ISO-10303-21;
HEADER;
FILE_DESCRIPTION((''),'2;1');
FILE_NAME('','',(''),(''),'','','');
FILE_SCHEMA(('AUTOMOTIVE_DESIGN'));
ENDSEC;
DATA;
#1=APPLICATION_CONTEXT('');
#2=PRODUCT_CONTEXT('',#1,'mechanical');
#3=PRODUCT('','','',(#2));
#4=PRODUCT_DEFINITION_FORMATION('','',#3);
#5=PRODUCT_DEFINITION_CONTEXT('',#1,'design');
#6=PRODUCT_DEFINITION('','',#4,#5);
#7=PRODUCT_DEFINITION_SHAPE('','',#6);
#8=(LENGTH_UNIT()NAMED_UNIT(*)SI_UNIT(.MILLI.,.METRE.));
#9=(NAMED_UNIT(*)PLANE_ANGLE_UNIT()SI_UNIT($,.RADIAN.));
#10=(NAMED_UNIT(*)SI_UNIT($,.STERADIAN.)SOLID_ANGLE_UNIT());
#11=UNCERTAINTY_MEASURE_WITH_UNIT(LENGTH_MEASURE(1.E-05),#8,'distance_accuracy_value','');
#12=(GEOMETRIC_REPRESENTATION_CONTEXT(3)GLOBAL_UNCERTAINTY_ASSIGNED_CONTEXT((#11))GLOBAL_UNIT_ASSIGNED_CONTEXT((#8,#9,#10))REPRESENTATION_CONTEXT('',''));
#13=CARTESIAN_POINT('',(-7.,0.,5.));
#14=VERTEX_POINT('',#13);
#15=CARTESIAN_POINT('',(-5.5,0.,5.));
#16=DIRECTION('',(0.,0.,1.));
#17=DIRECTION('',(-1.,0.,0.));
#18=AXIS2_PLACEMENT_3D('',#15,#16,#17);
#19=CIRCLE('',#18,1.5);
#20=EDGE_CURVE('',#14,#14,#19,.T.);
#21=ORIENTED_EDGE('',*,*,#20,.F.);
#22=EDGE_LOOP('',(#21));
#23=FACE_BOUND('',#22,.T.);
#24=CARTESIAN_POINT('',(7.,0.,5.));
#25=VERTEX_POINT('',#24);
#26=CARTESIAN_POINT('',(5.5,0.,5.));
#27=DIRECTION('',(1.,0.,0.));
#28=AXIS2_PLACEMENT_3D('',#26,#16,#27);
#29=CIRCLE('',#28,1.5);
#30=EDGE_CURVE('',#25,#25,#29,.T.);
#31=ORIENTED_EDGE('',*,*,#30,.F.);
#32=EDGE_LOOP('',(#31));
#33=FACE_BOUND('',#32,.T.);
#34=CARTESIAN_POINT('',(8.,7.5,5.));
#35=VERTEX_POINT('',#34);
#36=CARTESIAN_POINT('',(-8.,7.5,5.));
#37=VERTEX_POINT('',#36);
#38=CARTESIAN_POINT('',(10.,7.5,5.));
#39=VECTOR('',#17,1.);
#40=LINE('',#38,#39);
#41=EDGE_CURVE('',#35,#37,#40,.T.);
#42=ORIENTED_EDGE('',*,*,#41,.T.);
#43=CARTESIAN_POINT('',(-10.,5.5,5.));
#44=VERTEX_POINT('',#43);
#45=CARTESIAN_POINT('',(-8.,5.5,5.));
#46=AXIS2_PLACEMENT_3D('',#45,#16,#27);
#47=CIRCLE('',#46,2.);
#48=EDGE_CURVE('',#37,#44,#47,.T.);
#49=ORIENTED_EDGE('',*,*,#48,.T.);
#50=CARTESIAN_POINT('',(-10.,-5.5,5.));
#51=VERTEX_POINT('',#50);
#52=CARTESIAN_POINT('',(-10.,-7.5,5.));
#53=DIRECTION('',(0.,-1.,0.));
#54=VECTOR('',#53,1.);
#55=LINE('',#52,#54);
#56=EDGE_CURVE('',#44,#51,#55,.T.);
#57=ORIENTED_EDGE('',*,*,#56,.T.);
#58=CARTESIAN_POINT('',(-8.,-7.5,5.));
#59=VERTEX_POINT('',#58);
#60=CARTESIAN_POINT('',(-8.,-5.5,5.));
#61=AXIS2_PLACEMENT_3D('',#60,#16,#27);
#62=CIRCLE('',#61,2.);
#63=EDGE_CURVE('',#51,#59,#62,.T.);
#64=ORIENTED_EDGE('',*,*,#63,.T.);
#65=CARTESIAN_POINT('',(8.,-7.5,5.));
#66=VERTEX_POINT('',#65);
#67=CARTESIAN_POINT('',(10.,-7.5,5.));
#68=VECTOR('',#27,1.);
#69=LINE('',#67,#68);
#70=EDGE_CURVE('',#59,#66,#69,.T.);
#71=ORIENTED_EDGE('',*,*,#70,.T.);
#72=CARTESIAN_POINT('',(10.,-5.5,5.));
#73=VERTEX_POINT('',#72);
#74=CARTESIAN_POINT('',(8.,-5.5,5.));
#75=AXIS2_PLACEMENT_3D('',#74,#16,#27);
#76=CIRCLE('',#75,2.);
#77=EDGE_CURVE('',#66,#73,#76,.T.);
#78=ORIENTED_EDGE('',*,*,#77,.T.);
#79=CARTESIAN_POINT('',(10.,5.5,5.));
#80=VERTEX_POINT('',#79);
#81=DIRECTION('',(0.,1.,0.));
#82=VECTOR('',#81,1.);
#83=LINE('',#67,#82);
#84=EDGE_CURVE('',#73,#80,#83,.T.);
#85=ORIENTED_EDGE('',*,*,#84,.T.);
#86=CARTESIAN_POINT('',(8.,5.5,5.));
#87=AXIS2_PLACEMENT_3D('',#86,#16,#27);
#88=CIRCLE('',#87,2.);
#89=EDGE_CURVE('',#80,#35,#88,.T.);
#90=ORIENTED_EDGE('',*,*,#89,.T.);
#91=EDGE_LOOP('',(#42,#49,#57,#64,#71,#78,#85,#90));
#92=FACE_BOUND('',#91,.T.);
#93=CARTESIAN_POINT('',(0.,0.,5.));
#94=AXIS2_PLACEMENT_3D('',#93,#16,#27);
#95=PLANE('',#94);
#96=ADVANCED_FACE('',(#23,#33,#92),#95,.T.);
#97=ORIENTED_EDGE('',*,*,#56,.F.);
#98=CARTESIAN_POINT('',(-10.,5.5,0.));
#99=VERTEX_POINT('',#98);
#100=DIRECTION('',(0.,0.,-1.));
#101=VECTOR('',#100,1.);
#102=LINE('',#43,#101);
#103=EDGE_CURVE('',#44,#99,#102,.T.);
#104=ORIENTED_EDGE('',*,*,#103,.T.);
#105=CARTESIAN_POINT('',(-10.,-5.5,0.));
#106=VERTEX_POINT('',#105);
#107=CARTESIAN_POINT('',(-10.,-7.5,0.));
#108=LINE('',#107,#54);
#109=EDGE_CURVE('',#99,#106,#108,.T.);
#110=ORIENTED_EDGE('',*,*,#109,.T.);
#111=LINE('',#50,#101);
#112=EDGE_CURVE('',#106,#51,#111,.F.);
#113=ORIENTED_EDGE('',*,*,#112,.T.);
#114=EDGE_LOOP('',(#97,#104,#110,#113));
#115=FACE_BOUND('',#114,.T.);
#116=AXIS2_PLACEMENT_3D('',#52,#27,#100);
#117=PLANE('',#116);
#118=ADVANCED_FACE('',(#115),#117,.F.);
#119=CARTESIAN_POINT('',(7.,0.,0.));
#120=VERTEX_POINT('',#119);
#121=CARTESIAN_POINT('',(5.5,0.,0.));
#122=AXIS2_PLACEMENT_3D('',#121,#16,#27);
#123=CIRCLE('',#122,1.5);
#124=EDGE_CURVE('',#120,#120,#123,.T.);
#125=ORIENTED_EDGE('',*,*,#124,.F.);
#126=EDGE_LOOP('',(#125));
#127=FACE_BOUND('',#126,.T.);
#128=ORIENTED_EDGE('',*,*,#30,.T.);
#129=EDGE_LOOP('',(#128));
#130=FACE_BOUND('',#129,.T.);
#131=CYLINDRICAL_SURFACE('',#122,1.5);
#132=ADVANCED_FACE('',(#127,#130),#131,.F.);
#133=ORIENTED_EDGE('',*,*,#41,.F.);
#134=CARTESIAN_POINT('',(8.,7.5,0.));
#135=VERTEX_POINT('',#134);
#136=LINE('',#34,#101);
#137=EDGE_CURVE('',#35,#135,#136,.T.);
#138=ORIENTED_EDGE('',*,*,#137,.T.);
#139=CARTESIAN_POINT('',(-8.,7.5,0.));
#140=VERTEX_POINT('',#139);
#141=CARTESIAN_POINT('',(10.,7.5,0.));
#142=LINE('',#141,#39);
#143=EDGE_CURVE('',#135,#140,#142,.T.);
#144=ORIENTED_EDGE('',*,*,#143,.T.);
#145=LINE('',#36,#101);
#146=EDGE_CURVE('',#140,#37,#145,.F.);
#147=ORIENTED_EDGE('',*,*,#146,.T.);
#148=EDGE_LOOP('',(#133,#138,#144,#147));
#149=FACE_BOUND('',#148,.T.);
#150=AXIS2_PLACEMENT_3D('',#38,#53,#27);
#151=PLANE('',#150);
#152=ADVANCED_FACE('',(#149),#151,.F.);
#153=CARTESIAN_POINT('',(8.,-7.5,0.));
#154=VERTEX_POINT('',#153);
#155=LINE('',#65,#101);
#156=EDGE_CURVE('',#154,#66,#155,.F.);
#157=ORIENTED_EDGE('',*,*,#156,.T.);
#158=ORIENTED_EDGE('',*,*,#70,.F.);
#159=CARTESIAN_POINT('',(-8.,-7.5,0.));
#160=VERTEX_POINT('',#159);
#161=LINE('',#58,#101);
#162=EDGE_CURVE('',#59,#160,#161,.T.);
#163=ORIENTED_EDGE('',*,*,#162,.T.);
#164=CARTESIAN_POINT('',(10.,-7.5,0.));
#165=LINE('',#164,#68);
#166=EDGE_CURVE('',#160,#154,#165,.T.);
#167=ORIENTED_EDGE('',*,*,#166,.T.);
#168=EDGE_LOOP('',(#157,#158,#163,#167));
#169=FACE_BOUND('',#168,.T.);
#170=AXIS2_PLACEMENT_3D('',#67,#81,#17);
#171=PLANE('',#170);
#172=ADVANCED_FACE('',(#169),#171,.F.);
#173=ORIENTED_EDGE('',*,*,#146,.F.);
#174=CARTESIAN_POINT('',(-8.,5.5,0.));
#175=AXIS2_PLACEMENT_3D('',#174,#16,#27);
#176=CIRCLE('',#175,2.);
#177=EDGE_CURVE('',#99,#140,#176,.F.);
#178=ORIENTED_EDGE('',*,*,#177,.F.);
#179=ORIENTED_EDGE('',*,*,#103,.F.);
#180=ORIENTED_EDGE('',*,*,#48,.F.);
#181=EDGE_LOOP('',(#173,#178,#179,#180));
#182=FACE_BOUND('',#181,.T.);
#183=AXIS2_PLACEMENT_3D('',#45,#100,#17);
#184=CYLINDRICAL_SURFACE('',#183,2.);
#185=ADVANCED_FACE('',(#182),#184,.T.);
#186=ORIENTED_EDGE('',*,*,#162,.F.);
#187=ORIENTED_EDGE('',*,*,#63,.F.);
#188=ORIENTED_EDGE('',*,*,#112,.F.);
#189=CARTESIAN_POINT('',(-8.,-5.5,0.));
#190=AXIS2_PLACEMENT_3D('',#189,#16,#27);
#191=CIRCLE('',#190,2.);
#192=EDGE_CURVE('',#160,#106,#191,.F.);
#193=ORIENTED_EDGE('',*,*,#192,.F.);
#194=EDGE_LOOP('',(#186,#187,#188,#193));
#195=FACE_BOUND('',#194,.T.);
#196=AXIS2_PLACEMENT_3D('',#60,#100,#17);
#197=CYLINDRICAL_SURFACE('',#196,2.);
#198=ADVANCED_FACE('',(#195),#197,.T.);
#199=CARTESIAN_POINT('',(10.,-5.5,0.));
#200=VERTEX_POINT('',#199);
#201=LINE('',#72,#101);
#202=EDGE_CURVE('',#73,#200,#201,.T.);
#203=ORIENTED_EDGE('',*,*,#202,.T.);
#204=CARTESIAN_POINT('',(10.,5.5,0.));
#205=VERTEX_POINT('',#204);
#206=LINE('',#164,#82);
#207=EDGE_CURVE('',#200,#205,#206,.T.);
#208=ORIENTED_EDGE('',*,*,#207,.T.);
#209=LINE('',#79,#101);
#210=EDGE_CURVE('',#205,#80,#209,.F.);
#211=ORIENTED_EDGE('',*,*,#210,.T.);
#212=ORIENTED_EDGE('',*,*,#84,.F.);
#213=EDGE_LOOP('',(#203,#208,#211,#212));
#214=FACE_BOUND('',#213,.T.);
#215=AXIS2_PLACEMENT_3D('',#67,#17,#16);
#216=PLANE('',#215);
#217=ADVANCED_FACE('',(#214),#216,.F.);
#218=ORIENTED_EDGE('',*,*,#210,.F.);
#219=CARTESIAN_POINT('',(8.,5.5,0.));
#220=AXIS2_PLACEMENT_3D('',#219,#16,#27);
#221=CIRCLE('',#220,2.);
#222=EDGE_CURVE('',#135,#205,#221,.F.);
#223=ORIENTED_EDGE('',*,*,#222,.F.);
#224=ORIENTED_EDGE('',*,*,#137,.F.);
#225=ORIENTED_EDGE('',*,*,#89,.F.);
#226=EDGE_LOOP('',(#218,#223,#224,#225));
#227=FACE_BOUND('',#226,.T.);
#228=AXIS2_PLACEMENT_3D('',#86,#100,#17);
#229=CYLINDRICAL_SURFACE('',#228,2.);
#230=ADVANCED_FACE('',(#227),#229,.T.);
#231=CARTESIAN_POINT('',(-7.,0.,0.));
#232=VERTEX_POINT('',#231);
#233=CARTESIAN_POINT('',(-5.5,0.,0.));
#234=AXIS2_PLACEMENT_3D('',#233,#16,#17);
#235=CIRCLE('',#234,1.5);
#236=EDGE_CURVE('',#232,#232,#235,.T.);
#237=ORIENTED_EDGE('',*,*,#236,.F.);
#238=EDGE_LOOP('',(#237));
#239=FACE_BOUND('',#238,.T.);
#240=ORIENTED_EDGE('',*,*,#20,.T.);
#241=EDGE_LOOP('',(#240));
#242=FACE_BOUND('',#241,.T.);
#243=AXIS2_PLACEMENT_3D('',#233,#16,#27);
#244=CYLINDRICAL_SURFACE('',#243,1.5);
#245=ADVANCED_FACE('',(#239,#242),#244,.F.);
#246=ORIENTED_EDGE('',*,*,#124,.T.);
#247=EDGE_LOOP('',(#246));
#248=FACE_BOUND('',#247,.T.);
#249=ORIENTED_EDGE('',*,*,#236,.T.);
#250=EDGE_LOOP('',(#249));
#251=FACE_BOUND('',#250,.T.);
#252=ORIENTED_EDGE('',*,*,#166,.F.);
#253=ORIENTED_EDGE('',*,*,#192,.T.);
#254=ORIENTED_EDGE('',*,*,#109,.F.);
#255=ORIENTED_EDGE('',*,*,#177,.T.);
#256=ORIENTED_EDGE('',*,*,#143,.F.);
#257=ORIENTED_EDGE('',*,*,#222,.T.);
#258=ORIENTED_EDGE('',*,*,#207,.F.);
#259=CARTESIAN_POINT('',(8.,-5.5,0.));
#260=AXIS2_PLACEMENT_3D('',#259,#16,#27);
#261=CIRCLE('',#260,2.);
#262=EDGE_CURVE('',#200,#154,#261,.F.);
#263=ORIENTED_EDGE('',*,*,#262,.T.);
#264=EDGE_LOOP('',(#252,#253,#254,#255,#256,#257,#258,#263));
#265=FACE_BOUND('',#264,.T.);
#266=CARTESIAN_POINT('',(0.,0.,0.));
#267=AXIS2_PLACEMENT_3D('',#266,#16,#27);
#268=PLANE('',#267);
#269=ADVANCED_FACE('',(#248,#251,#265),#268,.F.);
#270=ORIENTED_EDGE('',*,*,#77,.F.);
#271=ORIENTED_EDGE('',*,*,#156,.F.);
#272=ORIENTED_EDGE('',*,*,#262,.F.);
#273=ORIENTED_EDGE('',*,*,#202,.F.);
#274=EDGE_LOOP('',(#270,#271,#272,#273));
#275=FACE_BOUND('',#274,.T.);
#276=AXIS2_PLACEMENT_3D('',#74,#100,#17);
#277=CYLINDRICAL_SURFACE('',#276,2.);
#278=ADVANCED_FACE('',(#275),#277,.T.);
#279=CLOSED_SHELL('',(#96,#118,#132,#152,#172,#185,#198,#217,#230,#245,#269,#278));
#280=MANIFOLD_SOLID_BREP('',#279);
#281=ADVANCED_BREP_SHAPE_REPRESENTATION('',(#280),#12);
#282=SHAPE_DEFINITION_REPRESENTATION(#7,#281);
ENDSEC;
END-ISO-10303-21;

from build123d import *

# Parameters (mm, degrees)
SKETCH_1_W          = 20
SKETCH_1_H          = 15
EXTRUDE_1_DEPTH     = 5
SKETCH_3_R          = 1.5
CUT_EXTRUDE_2_DEPTH = 14.462912018
FILLET_1_R          = 2


with BuildPart() as part:
    # 草图1 → 凸台-拉伸1 (new body)
    with BuildSketch(Plane.XY):
        Rectangle(SKETCH_1_W, SKETCH_1_H)
    extrude(amount=EXTRUDE_1_DEPTH)

    # 草图3 → 切除-拉伸2 (cut, through all)
    with BuildSketch(Plane.XY.offset(5)):
        with Locations((5.5, 0)):
            Circle(SKETCH_3_R)
        with Locations(Location((-5.5, 0, 0), (0, 0, 180))):
            Circle(SKETCH_3_R)
    extrude(amount=-CUT_EXTRUDE_2_DEPTH, mode=Mode.SUBTRACT)

    # 圆角1
    fillet_1_edges = [part.edges().sort_by_distance(p)[0] for p in [
        (-10, 7.5, 2.5),
        (10, 7.5, 2.5),
        (10, -7.5, 2.5),
        (-10, -7.5, 2.5),
    ]]
    fillet(fillet_1_edges, radius=FILLET_1_R)


solid = part.part
